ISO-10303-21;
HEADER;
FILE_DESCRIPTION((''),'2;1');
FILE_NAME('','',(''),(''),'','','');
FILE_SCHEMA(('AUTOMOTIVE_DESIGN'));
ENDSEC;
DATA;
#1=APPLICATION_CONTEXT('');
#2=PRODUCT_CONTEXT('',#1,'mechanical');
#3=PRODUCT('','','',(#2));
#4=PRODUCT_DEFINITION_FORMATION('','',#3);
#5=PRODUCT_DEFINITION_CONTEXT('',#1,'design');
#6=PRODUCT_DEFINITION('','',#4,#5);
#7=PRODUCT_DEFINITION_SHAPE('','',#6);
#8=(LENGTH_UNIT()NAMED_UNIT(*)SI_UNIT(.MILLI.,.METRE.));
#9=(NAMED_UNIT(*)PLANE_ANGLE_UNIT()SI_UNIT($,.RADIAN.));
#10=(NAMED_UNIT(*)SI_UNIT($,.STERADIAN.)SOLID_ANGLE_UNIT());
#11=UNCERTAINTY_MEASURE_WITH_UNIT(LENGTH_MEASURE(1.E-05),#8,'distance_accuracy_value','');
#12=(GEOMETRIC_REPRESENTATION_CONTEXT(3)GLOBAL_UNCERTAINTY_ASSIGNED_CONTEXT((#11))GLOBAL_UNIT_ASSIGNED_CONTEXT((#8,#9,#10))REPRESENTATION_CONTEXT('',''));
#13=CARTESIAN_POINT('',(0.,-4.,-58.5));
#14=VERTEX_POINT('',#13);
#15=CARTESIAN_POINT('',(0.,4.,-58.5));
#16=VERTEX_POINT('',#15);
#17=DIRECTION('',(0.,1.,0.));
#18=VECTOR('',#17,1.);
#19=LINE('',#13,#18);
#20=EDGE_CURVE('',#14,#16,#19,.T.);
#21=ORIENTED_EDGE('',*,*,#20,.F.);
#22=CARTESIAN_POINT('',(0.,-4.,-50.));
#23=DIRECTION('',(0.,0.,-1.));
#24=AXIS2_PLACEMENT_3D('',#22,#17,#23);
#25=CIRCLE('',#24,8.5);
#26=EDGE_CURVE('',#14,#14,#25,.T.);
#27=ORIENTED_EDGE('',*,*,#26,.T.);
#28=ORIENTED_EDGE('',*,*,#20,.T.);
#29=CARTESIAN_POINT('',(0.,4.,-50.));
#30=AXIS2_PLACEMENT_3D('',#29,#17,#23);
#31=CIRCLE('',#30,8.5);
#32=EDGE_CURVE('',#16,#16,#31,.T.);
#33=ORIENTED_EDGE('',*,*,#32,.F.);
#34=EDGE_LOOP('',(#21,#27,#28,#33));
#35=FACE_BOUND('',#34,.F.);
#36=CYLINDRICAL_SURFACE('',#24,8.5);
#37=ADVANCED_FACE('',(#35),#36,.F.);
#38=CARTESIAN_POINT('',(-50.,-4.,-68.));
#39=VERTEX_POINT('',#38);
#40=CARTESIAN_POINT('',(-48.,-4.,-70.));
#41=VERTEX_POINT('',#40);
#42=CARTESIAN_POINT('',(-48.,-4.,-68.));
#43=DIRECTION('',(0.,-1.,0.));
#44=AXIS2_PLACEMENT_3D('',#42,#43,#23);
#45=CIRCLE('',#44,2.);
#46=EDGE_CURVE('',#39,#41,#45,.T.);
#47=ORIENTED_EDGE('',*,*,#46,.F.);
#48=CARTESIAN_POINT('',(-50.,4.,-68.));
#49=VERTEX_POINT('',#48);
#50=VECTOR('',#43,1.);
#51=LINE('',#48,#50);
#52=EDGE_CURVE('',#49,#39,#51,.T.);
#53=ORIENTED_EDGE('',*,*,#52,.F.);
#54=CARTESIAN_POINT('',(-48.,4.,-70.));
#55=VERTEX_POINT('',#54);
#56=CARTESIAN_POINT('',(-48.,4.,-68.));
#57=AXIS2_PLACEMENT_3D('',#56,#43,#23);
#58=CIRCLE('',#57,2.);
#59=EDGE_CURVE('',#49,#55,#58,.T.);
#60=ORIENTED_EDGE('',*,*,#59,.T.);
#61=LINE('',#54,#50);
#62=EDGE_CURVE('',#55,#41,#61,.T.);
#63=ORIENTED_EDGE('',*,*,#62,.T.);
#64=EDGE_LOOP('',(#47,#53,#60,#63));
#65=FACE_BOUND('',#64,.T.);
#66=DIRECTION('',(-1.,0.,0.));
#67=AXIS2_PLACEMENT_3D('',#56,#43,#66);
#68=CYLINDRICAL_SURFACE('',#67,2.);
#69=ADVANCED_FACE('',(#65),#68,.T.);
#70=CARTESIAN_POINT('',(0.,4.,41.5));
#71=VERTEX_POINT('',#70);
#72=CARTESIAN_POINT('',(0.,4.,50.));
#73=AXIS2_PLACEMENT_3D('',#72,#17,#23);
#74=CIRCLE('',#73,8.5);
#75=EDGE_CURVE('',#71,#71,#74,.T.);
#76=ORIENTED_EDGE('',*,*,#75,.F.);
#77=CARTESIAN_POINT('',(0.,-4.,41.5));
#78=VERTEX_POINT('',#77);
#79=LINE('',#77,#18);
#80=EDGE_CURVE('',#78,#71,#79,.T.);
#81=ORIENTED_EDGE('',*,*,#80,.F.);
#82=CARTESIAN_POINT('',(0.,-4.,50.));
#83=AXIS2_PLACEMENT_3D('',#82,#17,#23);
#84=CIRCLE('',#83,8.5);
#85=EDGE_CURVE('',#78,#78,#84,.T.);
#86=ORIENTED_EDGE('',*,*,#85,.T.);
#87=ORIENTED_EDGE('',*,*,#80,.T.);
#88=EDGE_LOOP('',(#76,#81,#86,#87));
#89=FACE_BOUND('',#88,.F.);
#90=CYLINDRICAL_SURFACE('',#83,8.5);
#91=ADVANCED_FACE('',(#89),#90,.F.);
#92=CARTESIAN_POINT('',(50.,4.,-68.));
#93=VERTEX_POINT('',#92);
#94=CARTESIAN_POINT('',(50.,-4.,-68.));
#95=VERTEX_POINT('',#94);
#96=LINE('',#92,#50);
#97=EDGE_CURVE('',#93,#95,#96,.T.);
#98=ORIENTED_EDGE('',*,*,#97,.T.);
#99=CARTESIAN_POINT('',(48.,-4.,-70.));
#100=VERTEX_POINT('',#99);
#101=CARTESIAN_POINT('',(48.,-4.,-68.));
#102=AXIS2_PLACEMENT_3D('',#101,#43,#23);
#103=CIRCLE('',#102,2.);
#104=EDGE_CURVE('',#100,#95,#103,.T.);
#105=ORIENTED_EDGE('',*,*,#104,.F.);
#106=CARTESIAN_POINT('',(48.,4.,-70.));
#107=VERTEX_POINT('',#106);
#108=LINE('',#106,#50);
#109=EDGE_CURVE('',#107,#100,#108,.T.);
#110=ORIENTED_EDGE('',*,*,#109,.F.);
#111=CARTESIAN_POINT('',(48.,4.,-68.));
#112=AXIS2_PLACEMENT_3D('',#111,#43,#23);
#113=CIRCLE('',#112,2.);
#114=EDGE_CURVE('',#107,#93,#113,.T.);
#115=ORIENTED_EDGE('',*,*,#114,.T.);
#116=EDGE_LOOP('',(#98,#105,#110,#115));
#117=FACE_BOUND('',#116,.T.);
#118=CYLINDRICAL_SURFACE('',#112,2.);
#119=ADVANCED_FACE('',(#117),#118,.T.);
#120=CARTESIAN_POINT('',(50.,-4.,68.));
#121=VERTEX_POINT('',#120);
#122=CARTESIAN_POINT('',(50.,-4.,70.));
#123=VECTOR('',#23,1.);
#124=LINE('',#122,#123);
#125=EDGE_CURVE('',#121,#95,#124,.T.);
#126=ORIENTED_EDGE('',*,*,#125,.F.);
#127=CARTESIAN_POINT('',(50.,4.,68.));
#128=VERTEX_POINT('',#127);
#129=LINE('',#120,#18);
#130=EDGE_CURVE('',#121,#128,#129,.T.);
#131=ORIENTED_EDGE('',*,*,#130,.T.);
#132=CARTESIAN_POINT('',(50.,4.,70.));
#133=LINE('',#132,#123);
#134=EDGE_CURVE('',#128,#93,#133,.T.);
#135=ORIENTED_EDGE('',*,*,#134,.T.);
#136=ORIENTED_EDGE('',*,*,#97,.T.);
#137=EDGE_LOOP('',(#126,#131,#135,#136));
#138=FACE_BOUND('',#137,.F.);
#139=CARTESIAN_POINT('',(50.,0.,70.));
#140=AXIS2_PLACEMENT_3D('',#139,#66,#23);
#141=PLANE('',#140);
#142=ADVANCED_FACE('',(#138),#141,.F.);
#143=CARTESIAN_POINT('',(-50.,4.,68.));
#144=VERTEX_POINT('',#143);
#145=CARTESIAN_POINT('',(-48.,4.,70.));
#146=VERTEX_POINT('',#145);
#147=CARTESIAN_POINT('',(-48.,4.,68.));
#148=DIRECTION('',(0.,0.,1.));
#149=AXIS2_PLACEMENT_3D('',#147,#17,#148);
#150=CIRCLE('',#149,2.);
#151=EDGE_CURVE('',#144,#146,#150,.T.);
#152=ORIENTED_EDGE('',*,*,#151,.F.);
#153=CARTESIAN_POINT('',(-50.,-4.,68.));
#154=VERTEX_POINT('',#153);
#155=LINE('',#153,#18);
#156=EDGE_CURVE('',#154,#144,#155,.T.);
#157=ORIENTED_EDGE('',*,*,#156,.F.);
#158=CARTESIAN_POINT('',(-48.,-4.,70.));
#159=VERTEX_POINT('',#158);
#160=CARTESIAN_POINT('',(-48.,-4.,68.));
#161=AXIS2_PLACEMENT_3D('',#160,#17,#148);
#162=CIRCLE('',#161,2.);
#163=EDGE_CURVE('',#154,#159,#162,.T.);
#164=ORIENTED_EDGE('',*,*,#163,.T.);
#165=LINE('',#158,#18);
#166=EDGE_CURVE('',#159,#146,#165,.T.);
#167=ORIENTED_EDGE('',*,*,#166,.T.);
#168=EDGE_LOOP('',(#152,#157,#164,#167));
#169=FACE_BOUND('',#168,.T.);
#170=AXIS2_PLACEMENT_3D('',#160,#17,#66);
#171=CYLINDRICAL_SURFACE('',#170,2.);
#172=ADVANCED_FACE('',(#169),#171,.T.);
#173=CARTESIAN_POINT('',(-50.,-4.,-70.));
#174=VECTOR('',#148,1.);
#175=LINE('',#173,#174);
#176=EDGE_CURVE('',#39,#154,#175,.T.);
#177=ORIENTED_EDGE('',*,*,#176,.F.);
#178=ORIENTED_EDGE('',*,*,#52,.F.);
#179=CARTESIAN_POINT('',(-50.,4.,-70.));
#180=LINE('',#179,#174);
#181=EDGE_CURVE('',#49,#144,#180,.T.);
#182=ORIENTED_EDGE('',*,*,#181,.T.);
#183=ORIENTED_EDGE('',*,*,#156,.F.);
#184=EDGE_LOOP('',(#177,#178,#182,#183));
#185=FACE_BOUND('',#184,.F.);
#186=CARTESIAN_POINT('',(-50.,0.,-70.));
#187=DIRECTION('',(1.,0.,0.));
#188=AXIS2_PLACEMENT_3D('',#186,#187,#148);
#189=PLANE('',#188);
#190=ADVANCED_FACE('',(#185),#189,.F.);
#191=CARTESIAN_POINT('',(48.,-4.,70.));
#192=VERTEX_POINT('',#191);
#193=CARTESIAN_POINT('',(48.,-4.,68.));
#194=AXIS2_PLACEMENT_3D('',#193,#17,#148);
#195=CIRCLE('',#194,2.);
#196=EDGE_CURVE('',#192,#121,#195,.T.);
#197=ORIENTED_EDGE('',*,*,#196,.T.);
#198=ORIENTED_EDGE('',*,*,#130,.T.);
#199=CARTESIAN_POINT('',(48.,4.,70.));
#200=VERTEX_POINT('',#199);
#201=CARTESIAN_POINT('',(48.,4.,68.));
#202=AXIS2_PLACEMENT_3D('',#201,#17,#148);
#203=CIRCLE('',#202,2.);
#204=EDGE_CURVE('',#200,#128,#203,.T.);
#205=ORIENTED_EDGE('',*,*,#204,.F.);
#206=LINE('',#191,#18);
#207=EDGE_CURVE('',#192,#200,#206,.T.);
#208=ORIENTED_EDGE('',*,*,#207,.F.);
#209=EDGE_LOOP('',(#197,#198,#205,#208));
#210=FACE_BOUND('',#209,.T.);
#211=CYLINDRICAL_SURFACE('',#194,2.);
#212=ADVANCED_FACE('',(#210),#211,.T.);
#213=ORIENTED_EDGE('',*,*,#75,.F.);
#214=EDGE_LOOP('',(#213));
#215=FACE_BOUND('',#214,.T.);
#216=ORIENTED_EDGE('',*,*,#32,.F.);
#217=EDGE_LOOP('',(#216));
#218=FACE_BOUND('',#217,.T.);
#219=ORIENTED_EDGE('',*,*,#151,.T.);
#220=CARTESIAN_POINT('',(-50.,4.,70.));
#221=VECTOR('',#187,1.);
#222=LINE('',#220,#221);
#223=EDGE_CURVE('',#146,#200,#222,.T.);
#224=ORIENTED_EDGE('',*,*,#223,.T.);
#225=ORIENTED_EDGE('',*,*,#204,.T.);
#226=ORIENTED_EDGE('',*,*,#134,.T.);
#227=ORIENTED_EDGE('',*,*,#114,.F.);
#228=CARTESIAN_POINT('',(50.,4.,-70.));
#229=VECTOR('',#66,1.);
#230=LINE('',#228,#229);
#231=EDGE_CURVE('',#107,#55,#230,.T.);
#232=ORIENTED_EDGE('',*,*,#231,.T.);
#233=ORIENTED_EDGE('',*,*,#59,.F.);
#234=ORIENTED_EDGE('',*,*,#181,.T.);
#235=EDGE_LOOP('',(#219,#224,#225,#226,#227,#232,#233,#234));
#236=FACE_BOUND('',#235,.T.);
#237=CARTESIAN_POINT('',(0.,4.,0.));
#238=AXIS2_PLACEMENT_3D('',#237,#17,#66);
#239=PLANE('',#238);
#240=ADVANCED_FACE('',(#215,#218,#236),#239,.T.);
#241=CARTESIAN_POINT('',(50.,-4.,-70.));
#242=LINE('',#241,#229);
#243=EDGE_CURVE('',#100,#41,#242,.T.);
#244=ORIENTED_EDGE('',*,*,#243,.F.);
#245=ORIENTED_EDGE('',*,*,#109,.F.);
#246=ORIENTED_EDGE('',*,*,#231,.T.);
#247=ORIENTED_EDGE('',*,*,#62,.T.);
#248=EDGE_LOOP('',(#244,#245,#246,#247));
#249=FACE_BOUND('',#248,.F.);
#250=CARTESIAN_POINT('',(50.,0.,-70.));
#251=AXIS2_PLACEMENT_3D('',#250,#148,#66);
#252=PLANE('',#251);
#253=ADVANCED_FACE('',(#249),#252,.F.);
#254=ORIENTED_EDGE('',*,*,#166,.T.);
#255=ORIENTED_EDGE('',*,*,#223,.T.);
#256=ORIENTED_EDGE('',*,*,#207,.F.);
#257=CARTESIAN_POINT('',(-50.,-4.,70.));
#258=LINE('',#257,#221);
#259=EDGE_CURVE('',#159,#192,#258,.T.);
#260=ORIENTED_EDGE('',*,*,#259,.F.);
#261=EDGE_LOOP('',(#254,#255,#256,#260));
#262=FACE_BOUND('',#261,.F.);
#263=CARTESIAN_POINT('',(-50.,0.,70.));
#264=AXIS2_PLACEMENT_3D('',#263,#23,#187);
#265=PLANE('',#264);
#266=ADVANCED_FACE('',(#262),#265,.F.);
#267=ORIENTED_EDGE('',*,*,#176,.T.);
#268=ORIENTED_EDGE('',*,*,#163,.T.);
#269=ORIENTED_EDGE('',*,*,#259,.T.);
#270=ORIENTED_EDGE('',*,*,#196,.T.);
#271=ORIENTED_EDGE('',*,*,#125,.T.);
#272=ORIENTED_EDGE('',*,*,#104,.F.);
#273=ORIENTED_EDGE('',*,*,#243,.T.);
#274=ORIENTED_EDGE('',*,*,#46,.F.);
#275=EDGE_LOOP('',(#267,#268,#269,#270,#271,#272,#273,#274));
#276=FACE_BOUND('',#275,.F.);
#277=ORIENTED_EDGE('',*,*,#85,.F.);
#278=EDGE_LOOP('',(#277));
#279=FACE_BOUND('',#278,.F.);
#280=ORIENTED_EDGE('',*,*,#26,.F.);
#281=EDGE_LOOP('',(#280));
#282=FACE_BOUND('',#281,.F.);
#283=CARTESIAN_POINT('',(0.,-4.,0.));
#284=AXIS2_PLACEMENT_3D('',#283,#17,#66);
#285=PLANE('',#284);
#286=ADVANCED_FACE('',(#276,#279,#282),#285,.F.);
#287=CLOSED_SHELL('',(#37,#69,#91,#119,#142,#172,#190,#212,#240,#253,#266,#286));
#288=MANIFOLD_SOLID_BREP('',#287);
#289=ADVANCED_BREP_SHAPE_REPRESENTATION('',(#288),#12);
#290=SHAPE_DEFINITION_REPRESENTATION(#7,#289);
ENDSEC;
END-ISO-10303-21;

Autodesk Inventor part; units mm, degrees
ref_plane "YZ Plane" through (0, 0, 0) normal (1, 0, 0) x (0, 1, 0)
ref_plane "XZ Plane" through (0, 0, 0) normal (0, 1, 0) x (-1, 0, 0)
ref_plane "XY Plane" through (0, 0, 0) normal (0, 0, 1) x (1, 0, 0)
sketch "Sketch1" plane through (0, 0, 0) normal (0, 1, 0) x (-1, 0, 0)
  line L0 (50, 70) -> (-50, 70)
  line L1 (-50, 70) -> (-50, -70)
  line L2 (-50, -70) -> (50, -70)
  line L3 (50, -70) -> (50, 70)
  point P0 (0, 0)
  point P1 (0, 70)
  point P2 (50, 0)
  dimension "d0" = 100
  dimension "d1" = 140
extrude "Plate1" add sketch "Sketch1" along normal mid plane 8
sketch "Sketch2" plane through (0, -4, 0) normal (0, -1, 0) x (1, 0, 0)
  line L0 (-50, -70) -> (-50, 70) projected
  line L1 (50, 70) -> (50, -70) projected
  line L2 (0, -50) -> (0, 50) construction
  point P0 (-50, 0)
  point P1 (0, 0)
  point P2 (0, 0)
  dimension "d17" = 100
hole "Hole1" at (0, -4, -50) at (0, -4, 50) direction (0, 1, 0) diameter 17 end through all
fillet "Fillet1" radius 2 4 edges at (50, 0, 70) (-50, 0, 70) (50, 0, -70) (-50, 0, -70)
equation "\"d8\" = Thickness"
equation "\"d2\" = Thickness"
equation "\"BendRadius\" = Thickness"
equation "\"BendReliefWidth\" = Thickness"
equation "\"BendReliefDepth\" = 0.5 * Thickness"
equation "\"CornerReliefSize\" = 4 * Thickness"
equation "\"MinimumRemnant\" = 2 * Thickness"
equation "\"TransitionRadius\" = BendRadius"
equation "\"JacobiRadiusSize\" = BendRadius"
equation "\"GapSize\" = Thickness"
equation "\"Thickness\" = 8"
properties part number "Сrane plate 5.1"
